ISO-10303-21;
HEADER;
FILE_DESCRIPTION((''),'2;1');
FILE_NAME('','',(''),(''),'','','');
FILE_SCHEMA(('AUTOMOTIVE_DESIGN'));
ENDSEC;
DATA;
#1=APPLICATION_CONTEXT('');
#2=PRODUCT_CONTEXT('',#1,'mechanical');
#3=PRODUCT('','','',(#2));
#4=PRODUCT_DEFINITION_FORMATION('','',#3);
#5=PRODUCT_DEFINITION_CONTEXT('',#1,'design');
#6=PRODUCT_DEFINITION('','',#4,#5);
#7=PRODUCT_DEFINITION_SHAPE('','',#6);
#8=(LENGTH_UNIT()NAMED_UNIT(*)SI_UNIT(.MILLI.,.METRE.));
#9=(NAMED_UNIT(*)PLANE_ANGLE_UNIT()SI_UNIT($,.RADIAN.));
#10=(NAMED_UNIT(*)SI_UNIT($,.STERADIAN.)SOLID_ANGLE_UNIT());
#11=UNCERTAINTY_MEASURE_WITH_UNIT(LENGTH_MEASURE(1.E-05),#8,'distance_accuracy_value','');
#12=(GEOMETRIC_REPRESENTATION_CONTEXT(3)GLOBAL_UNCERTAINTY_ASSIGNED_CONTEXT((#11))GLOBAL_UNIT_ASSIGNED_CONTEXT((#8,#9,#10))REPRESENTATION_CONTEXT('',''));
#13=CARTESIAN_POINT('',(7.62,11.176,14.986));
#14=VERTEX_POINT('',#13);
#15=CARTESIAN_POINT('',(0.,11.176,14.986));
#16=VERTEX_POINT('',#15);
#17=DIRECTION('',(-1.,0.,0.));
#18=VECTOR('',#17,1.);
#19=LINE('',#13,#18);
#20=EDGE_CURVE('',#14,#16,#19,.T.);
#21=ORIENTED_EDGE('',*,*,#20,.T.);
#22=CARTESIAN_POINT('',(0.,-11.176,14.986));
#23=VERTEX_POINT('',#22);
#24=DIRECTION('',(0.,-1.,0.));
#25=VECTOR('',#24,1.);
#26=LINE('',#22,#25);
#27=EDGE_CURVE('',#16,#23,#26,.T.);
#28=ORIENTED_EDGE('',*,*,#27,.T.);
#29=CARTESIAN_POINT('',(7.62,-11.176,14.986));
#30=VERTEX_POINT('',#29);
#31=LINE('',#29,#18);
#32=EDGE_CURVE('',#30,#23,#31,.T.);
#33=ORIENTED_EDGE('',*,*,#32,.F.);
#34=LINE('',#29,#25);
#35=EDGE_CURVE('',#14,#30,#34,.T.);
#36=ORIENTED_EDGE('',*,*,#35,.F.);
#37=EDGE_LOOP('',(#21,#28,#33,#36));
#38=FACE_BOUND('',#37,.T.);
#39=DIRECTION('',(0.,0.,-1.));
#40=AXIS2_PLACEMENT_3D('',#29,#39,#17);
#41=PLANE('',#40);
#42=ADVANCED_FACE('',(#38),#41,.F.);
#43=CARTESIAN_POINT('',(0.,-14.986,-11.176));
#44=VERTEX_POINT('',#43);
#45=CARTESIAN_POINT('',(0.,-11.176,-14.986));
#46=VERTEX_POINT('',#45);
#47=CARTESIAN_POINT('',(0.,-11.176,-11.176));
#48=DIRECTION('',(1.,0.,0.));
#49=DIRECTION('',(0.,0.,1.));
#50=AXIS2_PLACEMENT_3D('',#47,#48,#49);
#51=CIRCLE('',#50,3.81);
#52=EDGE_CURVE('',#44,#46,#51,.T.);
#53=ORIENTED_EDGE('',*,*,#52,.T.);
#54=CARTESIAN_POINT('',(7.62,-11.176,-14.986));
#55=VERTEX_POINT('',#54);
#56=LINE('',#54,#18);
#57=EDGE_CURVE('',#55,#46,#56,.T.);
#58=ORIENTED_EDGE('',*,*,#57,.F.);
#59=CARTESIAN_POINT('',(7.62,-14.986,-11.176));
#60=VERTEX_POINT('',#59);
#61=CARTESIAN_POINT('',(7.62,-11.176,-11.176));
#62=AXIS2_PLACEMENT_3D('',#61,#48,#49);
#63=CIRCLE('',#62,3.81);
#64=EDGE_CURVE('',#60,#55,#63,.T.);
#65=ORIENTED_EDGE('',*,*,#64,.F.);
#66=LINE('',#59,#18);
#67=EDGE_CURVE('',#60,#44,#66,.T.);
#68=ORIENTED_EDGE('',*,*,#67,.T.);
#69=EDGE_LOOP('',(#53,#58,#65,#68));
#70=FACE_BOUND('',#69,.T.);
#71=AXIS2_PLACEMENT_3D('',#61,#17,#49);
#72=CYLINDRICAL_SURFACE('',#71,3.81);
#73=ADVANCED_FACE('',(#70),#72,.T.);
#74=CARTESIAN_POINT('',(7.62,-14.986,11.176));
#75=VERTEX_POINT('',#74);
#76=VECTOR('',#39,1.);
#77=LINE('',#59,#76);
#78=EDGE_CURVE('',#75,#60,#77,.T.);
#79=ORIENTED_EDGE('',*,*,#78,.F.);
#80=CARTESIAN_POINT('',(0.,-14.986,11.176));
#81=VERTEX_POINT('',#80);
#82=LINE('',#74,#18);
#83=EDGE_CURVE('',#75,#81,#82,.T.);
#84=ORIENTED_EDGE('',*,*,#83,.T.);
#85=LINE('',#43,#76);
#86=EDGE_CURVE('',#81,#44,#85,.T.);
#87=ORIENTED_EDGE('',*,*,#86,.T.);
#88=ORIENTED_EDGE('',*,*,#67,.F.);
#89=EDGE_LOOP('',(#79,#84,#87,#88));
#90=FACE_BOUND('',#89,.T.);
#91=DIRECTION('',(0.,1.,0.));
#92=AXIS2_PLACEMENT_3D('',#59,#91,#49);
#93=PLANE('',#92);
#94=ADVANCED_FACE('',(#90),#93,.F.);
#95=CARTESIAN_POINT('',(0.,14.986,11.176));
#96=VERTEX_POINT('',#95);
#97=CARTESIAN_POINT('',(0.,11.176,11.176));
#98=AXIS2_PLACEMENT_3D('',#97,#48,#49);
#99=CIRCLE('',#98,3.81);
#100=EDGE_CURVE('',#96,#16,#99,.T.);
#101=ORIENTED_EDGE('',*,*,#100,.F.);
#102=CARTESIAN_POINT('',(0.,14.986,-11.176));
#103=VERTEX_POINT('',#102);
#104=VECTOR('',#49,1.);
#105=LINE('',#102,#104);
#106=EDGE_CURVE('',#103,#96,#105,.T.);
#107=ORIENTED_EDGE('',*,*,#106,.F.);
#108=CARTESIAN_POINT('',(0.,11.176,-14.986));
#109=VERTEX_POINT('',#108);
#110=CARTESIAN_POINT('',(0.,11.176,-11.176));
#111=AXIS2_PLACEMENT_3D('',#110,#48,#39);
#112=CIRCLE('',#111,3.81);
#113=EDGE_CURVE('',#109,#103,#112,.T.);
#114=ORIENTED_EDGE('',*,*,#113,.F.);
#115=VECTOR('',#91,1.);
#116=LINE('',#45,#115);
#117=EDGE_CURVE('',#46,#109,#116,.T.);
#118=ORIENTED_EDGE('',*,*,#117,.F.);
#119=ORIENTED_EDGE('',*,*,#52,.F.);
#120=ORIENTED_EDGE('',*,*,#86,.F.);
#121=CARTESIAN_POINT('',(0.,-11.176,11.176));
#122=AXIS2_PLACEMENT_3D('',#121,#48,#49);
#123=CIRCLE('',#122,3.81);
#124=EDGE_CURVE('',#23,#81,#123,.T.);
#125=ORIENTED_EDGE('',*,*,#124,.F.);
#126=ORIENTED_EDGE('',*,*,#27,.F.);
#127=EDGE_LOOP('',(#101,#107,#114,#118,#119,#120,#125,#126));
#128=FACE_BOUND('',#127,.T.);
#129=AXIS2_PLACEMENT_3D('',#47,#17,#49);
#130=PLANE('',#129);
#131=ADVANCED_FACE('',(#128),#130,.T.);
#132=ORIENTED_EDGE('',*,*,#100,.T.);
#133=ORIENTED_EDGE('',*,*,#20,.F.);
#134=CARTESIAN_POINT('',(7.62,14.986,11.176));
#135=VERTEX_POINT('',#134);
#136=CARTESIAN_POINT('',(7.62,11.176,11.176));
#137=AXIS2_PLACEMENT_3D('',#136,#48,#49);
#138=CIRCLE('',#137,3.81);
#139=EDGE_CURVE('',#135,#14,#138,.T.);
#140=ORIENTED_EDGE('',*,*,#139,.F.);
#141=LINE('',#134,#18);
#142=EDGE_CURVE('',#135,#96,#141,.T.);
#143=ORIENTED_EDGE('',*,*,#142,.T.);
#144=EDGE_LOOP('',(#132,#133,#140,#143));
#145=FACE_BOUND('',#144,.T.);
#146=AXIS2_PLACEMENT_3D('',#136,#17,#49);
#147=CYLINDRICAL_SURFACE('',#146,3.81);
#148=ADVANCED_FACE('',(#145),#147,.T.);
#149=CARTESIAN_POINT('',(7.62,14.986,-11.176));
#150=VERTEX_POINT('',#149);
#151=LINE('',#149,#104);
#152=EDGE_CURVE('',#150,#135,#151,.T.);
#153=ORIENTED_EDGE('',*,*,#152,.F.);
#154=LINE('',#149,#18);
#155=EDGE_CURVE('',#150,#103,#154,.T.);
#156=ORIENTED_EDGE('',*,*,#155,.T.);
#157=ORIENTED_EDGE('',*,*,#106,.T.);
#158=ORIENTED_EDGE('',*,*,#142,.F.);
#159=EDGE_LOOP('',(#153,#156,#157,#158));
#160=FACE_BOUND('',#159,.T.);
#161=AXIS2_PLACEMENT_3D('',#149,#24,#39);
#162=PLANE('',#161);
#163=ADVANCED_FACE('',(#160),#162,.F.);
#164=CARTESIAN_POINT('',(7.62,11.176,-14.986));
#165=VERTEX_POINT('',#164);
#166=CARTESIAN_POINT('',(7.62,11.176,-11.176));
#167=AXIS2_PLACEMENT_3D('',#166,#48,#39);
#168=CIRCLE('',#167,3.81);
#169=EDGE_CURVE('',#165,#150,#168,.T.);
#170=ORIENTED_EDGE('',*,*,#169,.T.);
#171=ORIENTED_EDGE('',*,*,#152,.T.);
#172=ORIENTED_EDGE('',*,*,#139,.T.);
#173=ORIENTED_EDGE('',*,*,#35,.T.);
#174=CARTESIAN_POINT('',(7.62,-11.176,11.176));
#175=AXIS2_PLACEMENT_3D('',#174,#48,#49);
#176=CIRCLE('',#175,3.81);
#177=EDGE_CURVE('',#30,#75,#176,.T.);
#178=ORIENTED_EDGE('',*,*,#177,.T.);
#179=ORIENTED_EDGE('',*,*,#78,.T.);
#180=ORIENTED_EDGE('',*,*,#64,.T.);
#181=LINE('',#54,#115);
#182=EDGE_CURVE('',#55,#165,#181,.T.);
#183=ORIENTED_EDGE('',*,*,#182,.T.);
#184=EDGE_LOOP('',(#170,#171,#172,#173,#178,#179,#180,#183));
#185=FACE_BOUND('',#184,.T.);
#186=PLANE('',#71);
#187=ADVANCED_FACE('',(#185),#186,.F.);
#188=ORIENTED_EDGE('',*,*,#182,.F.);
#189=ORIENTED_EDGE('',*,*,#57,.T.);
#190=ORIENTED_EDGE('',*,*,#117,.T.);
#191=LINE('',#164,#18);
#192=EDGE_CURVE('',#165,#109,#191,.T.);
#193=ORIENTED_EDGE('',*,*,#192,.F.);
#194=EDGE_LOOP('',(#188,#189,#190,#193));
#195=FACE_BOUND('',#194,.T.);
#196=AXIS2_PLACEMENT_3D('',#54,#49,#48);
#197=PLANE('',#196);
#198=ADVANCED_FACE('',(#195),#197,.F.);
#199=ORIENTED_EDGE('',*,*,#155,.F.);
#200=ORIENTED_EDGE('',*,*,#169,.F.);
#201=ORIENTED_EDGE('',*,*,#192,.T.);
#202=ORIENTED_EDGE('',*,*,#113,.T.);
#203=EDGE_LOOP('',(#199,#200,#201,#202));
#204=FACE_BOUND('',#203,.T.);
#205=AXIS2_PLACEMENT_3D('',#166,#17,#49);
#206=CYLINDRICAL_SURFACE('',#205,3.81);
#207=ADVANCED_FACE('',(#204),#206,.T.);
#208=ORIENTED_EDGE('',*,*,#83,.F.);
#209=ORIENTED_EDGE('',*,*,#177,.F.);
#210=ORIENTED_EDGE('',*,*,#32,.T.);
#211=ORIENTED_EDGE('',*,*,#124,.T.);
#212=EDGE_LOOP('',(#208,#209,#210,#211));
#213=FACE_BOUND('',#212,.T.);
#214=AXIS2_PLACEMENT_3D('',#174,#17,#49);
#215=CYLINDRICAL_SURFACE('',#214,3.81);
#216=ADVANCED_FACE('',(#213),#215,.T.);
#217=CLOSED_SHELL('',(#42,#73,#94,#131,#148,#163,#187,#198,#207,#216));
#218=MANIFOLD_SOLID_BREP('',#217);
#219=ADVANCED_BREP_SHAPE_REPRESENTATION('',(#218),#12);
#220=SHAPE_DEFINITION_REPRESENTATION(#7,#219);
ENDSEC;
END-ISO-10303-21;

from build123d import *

# Parameters (mm, degrees)
BOSS_EXTRUDE1_DEPTH = 7.62


with BuildPart() as part:
    # Sketch1 → Boss-Extrude1 (new body)
    with BuildSketch(Plane.YZ):
        with BuildLine():
            Line((-11.176, -14.986), (11.176, -14.986))
            ThreePointArc((11.176, -14.986), (13.870076836, -13.870076836), (14.986, -11.176))
            Line((14.986, -11.176), (14.986, 11.176))
            ThreePointArc((14.986, 11.176), (13.870076836, 13.870076836), (11.176, 14.986))
            Line((11.176, 14.986), (-11.176, 14.986))
            ThreePointArc((-11.176, 14.986), (-13.870076836, 13.870076836), (-14.986, 11.176))
            Line((-14.986, 11.176), (-14.986, -11.176))
            ThreePointArc((-14.986, -11.176), (-13.870076836, -13.870076836), (-11.176, -14.986))
        make_face()
    extrude(amount=BOSS_EXTRUDE1_DEPTH)


solid = part.part
